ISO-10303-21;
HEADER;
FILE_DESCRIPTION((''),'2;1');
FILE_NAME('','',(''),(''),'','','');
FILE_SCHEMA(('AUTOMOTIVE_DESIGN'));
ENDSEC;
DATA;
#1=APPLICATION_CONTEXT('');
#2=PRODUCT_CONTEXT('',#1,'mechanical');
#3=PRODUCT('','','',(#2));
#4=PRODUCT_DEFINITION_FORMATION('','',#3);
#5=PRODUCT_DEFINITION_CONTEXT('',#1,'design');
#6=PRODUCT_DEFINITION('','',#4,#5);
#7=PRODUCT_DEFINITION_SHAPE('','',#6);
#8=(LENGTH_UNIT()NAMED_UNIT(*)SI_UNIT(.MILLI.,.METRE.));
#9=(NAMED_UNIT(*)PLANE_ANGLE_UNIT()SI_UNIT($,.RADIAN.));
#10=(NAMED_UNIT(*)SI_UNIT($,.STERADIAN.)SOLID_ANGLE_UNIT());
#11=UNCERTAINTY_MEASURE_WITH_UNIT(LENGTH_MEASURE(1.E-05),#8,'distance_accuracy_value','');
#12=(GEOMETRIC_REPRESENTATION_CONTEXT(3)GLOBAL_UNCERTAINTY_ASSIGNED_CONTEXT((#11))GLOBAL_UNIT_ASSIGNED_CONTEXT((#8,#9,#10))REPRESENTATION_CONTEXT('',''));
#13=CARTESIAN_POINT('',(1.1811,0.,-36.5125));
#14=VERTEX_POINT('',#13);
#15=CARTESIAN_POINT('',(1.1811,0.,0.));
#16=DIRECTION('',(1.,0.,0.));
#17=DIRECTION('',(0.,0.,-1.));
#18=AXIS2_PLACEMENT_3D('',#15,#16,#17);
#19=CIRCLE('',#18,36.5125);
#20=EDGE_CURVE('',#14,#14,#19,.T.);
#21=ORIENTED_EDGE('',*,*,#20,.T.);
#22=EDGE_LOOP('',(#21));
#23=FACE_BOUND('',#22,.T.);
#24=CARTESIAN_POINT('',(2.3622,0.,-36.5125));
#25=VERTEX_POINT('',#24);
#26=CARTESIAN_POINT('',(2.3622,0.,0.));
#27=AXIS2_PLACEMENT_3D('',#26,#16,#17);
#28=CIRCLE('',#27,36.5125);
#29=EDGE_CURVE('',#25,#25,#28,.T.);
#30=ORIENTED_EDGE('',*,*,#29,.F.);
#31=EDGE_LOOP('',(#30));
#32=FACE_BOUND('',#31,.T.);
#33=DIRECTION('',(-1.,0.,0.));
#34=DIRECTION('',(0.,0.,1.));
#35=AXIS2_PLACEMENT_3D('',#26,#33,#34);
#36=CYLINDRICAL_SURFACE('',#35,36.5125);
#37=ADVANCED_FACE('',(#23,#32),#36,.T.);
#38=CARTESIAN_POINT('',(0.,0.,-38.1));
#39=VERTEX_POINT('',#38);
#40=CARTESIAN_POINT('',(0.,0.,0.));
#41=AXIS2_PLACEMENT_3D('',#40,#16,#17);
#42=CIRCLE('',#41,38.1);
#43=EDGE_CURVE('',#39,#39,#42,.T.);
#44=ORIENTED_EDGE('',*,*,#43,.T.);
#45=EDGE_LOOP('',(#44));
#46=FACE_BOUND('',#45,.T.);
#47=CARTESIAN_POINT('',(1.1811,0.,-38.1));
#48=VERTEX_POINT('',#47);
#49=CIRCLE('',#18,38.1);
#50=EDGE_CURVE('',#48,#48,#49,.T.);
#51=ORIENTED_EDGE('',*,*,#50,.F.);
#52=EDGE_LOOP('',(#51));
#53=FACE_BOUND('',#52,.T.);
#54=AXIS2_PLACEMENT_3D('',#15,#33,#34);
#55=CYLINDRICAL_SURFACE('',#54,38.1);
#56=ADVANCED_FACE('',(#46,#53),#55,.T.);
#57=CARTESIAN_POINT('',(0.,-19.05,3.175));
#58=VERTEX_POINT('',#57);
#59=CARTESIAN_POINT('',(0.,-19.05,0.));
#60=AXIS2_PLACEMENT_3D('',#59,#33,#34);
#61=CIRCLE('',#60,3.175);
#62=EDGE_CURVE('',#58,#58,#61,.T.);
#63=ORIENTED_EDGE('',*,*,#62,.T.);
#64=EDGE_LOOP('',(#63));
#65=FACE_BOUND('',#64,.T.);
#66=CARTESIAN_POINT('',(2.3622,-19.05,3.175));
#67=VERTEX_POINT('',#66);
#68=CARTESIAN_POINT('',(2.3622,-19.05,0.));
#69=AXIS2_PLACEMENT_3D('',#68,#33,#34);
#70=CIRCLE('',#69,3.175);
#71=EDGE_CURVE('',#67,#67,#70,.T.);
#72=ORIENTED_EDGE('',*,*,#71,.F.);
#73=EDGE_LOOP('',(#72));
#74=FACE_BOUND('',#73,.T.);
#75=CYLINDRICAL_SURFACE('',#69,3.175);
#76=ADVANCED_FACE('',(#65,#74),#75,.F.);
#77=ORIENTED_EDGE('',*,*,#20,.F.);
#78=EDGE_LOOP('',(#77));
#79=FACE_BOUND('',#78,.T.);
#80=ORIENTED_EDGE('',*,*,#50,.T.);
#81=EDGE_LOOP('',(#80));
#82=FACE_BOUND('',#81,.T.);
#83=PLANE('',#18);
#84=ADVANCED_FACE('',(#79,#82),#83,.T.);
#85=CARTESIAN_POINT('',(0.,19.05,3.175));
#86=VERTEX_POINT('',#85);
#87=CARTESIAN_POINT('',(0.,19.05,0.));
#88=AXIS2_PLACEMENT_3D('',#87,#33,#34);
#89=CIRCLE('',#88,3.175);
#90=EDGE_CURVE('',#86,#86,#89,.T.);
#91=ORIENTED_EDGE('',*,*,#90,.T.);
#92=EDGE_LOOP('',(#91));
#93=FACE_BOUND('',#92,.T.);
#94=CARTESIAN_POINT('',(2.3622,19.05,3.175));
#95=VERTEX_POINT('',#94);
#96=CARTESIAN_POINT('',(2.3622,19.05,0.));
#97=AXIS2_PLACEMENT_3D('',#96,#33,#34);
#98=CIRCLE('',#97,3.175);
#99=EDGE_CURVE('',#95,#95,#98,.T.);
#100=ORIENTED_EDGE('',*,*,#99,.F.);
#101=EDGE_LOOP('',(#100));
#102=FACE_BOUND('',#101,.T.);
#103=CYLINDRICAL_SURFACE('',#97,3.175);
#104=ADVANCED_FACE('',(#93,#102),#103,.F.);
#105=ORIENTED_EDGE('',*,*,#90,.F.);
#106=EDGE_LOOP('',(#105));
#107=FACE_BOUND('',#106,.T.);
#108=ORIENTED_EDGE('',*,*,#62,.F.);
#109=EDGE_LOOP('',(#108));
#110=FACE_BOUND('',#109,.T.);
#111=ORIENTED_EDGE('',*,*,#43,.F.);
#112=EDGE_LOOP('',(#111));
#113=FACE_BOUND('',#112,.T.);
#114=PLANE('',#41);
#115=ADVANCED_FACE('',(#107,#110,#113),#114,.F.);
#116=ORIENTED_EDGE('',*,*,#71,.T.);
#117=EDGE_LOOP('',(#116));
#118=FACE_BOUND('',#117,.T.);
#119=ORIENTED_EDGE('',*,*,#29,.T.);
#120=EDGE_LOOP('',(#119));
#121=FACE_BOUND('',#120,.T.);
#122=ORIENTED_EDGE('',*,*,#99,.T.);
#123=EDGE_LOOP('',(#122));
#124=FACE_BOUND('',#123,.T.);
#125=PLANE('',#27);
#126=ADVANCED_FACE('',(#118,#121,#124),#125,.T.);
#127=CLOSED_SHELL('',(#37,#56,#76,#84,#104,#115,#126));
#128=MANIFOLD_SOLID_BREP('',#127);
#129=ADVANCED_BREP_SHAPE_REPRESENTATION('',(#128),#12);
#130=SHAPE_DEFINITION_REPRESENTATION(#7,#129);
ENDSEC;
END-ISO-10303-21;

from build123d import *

# Parameters (mm, degrees)
SKETCH1_R           = 38.1
BOSS_EXTRUDE1_DEPTH = 1.1811
SKETCH2_R           = 36.5125
BOSS_EXTRUDE2_DEPTH = 1.1811
SKETCH3_R           = 3.175
CUT_EXTRUDE1_DEPTH  = 54.933292027


with BuildPart() as part:
    # Sketch1 → Boss-Extrude1 (new body)
    with BuildSketch(Plane.YZ):
        with Locations(Location((0, 0, 0), (0, 0, 270))):
            Circle(SKETCH1_R)
    extrude(amount=BOSS_EXTRUDE1_DEPTH)

    # Sketch2 → Boss-Extrude2 (add)
    with BuildSketch(Plane.YZ.offset(1.1811)):
        with Locations(Location((0, 0, 0), (0, 0, 270))):
            Circle(SKETCH2_R)
    extrude(amount=BOSS_EXTRUDE2_DEPTH)

    # Sketch3 → Cut-Extrude1 (cut, through all)
    with BuildSketch(Plane(origin=(0, 0, 0), x_dir=(0, -1, 0), z_dir=(-1, 0, 0))):
        with Locations(Location((19.05, 0, 0), (0, 0, 90))):
            Circle(SKETCH3_R)
        with Locations(Location((-19.05, 0, 0), (0, 0, 90))):
            Circle(SKETCH3_R)
    extrude(amount=-CUT_EXTRUDE1_DEPTH, mode=Mode.SUBTRACT)


solid = part.part
